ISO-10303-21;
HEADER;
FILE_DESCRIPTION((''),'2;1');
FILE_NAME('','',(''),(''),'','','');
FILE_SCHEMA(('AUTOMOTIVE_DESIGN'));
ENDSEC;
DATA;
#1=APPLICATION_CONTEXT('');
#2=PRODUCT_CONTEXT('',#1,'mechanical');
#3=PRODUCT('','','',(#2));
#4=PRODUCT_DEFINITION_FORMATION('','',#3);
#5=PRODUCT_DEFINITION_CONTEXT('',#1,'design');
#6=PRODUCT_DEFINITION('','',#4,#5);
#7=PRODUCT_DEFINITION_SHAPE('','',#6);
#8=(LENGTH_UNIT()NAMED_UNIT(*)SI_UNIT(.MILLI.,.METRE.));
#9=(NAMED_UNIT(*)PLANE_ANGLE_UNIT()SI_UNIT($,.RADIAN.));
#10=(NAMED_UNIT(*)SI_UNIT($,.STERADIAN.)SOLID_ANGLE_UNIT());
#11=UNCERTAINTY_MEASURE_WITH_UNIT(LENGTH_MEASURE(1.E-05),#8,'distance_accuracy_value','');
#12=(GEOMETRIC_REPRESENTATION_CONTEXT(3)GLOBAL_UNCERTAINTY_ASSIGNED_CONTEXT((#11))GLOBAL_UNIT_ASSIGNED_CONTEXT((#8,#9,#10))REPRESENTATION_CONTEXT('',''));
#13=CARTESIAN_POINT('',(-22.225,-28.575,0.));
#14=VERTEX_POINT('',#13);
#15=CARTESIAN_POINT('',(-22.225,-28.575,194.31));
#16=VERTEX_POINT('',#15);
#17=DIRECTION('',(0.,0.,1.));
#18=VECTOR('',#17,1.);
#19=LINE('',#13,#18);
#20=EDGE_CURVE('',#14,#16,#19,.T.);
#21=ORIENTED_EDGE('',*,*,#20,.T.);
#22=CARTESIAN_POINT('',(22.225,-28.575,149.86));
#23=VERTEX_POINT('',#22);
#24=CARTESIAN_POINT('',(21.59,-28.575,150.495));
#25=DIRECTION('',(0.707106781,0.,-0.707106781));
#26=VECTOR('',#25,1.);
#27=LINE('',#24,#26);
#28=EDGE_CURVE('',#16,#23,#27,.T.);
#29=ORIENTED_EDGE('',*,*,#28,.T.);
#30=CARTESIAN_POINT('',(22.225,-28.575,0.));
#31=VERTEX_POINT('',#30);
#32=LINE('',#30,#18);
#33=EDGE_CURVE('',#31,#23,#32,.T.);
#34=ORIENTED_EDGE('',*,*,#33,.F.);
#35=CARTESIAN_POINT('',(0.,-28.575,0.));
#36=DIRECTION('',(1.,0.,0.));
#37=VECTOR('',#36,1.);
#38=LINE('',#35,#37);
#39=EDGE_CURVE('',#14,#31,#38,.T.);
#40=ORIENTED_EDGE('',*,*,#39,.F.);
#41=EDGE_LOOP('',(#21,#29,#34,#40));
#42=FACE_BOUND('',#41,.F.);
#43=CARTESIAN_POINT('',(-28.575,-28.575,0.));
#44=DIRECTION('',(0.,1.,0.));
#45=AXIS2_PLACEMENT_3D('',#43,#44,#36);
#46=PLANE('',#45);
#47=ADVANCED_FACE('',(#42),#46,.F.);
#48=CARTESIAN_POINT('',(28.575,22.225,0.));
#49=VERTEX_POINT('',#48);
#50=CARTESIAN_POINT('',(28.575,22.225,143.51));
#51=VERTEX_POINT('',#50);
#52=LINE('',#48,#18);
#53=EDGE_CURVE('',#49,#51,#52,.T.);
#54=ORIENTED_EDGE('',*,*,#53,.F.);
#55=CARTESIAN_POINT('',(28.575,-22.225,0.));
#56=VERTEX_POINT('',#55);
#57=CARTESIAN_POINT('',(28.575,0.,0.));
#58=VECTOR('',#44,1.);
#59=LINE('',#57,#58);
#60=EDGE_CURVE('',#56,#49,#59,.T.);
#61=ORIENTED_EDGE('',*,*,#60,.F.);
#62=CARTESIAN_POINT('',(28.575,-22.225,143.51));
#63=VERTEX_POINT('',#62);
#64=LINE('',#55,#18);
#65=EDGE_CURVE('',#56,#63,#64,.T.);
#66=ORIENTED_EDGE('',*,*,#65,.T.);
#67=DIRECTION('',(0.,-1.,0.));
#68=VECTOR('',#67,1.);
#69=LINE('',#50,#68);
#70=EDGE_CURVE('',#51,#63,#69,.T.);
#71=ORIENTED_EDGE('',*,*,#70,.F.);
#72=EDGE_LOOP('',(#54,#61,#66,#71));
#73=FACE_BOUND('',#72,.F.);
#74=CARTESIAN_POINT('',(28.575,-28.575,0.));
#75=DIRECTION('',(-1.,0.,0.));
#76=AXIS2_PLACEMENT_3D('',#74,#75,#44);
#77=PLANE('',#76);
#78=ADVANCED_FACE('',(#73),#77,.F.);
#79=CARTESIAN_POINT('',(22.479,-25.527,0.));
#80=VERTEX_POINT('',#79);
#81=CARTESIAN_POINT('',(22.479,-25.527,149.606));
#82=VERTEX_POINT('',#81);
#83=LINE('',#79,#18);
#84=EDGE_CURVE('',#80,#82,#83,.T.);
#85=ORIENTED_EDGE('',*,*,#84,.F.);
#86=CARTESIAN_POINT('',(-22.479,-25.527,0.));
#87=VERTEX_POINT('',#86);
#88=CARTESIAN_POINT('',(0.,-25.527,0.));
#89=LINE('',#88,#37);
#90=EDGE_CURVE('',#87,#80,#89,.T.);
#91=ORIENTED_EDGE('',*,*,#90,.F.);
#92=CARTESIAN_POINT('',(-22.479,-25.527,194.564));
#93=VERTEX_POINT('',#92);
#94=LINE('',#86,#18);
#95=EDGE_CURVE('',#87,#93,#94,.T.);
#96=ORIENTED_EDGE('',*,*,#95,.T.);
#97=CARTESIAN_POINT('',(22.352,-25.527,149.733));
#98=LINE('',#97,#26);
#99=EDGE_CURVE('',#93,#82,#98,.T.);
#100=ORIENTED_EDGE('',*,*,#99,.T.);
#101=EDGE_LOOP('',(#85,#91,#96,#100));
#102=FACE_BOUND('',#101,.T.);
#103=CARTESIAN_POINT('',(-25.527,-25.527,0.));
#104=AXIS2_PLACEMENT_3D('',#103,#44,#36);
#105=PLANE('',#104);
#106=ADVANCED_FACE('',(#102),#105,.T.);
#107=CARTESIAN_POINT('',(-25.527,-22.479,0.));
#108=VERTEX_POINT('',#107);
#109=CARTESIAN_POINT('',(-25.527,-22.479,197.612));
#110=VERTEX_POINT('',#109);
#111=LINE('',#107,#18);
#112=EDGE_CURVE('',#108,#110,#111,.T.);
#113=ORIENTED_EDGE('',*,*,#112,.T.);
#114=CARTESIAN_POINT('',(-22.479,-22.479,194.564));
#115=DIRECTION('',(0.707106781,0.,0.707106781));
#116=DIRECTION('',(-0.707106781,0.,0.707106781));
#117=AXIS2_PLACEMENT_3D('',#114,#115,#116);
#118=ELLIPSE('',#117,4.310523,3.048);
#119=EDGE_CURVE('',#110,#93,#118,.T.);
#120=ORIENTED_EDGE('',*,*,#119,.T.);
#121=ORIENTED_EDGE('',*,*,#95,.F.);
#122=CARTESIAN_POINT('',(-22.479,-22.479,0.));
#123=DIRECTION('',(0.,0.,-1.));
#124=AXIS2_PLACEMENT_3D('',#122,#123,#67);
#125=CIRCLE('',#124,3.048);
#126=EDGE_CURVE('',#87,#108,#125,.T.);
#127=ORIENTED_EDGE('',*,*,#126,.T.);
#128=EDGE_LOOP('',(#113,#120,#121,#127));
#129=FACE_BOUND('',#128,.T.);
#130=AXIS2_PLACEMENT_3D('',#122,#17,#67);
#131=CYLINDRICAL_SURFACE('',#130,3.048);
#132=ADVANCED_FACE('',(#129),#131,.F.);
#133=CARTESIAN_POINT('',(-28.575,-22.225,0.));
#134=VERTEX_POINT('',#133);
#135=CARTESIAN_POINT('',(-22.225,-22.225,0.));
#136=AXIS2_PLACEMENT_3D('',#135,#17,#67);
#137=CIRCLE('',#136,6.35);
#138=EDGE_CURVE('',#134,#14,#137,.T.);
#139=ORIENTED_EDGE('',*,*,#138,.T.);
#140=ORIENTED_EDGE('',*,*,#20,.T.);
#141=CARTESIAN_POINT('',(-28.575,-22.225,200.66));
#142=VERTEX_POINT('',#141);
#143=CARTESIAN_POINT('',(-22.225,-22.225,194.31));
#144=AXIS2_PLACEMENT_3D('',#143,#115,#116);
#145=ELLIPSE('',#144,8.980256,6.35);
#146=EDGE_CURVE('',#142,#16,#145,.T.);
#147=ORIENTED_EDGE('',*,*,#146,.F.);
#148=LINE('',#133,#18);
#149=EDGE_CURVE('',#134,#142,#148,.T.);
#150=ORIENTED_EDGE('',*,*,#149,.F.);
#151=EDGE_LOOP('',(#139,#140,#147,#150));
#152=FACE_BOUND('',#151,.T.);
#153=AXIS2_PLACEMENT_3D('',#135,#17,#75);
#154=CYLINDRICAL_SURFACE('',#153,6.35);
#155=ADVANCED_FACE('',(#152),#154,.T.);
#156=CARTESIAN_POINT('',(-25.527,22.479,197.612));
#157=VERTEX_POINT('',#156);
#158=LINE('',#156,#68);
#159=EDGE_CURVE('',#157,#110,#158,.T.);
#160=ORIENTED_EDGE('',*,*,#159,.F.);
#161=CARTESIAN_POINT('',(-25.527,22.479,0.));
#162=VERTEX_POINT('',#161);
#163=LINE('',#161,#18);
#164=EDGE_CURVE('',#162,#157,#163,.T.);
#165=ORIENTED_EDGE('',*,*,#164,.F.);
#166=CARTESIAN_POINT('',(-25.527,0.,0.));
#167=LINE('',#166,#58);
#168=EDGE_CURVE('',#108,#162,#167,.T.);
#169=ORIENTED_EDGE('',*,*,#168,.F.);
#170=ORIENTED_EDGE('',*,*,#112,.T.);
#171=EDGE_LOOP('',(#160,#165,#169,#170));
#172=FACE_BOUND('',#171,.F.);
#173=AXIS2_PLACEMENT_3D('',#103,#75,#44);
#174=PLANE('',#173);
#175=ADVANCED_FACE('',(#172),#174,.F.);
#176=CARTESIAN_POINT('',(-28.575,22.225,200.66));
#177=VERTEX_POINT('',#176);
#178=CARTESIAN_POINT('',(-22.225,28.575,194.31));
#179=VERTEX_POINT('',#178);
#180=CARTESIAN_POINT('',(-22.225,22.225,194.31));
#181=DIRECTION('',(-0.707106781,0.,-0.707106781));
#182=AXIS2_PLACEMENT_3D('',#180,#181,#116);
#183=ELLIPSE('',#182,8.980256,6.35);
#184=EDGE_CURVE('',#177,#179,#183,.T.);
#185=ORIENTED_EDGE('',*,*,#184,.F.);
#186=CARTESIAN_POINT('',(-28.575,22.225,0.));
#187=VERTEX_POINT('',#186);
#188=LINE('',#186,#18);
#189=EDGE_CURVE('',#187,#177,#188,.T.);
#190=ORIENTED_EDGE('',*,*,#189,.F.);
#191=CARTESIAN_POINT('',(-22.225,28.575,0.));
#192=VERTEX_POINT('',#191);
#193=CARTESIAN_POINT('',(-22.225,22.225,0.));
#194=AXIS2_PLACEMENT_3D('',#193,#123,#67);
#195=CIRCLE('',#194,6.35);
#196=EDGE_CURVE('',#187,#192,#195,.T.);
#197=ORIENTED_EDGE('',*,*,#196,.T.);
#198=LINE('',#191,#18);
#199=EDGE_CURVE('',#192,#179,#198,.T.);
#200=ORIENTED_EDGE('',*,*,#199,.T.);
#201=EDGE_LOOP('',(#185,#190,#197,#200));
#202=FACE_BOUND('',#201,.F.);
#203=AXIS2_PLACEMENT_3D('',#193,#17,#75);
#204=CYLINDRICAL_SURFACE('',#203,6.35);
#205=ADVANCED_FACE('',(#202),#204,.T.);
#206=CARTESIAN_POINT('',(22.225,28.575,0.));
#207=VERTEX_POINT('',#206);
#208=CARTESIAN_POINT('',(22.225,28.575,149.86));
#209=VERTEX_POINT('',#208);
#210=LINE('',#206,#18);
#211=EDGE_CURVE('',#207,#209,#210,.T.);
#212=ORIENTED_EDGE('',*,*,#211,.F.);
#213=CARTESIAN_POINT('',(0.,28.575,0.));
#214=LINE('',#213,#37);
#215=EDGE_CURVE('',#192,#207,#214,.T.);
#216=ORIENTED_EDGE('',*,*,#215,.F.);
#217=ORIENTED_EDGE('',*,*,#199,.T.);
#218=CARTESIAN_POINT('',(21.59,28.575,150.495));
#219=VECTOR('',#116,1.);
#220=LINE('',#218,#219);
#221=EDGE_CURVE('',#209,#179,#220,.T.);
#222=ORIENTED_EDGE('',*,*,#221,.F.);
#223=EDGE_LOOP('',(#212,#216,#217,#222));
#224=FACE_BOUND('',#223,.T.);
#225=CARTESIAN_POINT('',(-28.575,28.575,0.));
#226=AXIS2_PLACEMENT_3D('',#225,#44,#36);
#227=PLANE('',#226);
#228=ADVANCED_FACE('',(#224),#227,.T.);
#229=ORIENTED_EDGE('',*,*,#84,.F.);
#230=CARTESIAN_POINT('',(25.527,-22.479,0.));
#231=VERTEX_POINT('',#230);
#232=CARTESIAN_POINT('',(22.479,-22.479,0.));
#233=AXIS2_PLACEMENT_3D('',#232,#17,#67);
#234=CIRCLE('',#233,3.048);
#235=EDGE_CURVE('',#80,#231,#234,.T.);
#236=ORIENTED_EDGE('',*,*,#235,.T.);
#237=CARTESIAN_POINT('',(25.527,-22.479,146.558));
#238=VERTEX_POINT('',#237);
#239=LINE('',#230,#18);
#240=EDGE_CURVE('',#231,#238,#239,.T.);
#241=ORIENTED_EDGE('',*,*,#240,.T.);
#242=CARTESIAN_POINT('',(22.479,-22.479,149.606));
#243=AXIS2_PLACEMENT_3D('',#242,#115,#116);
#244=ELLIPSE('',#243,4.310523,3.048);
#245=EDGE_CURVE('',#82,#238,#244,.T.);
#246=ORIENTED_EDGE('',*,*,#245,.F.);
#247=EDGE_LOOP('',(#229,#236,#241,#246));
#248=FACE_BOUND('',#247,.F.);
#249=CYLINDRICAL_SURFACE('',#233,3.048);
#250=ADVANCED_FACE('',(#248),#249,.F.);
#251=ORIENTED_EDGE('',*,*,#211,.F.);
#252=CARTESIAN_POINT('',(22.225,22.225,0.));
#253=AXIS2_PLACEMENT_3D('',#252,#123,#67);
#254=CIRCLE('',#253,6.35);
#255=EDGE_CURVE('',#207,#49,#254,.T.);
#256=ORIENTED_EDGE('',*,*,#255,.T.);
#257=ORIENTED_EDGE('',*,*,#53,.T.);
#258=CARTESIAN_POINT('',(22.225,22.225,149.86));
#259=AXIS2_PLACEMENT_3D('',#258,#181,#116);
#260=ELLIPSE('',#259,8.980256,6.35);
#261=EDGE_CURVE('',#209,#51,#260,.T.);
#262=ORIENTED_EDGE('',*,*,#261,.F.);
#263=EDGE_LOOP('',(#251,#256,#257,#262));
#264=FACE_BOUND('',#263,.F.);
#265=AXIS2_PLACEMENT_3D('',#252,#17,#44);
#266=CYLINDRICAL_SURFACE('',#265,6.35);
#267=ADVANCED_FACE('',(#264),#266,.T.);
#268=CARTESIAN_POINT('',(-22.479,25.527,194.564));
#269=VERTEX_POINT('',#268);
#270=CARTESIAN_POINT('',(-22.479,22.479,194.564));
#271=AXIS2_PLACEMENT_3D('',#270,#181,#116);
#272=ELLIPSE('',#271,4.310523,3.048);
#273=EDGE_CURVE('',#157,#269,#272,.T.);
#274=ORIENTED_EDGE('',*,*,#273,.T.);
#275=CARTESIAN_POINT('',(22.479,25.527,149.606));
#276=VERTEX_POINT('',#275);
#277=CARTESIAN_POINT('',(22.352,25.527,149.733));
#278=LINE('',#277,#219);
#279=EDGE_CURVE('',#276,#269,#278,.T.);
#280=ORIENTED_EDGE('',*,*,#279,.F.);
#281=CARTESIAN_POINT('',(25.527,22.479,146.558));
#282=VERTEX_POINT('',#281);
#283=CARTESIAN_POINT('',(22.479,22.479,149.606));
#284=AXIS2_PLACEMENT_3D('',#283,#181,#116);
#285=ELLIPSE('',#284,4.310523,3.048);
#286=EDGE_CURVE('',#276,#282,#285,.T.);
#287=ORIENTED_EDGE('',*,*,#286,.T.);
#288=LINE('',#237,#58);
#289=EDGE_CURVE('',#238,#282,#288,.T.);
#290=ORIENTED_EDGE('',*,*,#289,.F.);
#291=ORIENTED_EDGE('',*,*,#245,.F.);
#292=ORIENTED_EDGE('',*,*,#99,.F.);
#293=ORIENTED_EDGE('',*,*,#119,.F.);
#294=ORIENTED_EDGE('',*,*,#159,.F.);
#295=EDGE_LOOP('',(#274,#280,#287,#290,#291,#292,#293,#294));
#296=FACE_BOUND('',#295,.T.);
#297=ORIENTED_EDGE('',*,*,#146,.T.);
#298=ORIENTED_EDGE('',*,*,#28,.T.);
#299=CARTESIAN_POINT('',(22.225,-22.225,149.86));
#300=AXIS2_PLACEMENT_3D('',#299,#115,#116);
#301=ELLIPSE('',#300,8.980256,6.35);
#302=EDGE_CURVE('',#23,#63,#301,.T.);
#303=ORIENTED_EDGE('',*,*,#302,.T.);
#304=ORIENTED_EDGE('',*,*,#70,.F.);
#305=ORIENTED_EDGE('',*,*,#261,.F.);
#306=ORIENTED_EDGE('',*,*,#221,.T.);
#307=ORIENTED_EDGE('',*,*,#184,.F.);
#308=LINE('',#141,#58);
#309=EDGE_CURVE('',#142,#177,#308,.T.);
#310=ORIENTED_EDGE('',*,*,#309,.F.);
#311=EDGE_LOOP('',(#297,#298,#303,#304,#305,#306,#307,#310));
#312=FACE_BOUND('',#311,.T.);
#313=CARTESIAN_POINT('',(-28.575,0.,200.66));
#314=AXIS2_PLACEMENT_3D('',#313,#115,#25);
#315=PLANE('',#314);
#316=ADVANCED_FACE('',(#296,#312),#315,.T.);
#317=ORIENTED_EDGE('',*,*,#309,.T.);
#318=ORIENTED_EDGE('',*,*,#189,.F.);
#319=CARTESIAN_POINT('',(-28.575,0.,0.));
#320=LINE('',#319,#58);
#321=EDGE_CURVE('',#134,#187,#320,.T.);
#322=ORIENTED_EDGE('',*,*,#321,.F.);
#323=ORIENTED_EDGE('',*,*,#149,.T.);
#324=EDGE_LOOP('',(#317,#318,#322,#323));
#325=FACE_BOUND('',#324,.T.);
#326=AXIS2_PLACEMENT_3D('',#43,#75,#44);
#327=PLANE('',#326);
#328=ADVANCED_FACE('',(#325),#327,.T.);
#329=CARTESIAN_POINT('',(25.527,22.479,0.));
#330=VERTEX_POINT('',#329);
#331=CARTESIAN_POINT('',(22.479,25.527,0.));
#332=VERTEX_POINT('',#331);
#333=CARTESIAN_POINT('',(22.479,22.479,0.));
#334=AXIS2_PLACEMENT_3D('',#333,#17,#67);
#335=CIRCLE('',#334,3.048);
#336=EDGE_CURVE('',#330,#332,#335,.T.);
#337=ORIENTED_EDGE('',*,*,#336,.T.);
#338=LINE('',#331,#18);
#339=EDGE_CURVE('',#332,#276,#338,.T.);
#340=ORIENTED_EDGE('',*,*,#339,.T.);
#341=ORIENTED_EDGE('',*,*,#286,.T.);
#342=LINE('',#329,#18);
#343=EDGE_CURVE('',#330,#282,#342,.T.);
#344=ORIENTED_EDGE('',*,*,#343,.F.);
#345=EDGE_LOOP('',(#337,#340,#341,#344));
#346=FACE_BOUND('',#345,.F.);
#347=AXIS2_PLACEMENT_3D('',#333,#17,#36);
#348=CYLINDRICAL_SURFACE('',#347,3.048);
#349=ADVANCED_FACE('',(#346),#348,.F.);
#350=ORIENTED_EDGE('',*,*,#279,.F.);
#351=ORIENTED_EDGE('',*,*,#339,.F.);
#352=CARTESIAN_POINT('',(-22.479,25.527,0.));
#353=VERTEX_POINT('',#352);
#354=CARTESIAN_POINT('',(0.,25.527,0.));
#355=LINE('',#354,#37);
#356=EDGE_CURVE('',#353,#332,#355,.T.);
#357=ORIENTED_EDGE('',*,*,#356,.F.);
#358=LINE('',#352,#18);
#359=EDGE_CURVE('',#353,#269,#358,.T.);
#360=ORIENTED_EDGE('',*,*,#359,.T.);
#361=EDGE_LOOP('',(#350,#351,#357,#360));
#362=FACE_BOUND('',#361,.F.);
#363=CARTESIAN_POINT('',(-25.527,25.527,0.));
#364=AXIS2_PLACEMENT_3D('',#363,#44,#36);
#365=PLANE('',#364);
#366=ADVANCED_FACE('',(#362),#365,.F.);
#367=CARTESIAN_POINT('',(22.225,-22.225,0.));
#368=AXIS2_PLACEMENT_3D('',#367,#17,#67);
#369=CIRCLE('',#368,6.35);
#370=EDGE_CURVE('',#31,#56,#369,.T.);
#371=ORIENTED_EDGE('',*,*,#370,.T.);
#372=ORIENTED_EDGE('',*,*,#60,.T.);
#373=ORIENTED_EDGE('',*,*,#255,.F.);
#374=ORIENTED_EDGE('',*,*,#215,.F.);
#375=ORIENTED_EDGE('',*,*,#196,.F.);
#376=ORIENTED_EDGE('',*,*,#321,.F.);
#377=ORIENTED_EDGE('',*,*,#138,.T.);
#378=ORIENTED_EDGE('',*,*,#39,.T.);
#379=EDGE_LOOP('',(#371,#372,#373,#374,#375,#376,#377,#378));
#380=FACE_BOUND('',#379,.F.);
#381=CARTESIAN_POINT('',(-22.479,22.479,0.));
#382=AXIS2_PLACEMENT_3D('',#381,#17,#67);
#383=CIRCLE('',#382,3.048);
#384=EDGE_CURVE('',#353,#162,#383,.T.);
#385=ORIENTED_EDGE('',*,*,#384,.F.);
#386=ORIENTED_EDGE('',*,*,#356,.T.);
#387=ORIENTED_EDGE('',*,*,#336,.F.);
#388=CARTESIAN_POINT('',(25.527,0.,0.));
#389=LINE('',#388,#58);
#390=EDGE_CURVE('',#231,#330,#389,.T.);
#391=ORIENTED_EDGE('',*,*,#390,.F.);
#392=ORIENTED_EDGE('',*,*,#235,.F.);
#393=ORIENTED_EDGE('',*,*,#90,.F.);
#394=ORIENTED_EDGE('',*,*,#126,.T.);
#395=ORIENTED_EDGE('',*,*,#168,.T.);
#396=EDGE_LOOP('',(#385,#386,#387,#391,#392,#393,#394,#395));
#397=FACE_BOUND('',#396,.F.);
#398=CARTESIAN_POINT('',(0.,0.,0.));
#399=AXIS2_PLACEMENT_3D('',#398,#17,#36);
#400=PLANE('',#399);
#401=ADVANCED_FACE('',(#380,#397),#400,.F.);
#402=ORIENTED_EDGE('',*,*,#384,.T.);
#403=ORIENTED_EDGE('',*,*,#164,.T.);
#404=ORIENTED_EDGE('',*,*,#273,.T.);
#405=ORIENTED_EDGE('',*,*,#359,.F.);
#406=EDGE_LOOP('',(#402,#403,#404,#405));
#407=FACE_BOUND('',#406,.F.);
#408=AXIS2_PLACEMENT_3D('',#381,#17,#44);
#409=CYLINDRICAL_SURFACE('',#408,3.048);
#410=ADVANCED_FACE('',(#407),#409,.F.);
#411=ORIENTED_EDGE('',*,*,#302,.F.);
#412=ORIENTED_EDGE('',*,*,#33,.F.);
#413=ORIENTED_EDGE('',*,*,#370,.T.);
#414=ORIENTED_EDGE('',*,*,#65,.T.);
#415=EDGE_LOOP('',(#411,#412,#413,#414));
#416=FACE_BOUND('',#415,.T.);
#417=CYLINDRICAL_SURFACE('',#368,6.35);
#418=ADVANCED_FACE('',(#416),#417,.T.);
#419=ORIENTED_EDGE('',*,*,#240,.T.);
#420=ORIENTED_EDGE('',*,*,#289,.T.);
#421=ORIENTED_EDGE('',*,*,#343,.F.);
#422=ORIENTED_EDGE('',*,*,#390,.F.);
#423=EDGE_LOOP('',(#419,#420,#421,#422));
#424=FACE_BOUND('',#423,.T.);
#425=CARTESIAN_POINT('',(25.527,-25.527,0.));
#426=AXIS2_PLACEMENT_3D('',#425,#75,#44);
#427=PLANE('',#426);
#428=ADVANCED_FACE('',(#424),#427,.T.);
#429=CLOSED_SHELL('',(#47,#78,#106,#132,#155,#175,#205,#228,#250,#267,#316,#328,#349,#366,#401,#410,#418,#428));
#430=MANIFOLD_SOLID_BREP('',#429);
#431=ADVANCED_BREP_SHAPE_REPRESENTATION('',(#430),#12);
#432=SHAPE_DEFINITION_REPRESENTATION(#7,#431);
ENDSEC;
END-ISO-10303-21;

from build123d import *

# Parameters (mm, degrees)
F0_W          = 57.15
F0_H          = 57.15
F0_W_2        = 51.054
F0_H_2        = 51.054
F1_DEPTH      = 200.66
F2_R          = 3.048
F3_R          = 6.35
F5_DEPTH      = 28.576
F5_DEPTH_BACK = 28.576


with BuildPart() as f1:
    # F0 (on Top) → F1 (new body)
    with BuildSketch(Plane.XY):
        Rectangle(F0_W, F0_H)
        Rectangle(F0_W_2, F0_H_2, mode=Mode.SUBTRACT)
    extrude(amount=F1_DEPTH)

    # F2
    f2_edges = [f1.edges().sort_by_distance(p)[0] for p in [
        (25.527, 25.527, 100.33),
        (-25.527, 25.527, 100.33),
        (-25.527, -25.527, 100.33),
        (25.527, -25.527, 100.33),
    ]]
    fillet(f2_edges, radius=F2_R)

    # F3
    f3_edges = [f1.edges().sort_by_distance(p)[0] for p in [
        (-28.575, 28.575, 100.33),
        (-28.575, -28.575, 100.33),
        (28.575, -28.575, 100.33),
        (28.575, 28.575, 100.33),
    ]]
    fillet(f3_edges, radius=F3_R)

    # F4 (on Front) → F5 (cut, two sides)
    with BuildSketch(Plane.XZ) as f5_sk:
        Polygon((-28.575, 200.66), (28.575, 143.51), (28.575, 200.66), align=None)
    extrude(amount=-F5_DEPTH, mode=Mode.SUBTRACT)
    extrude(f5_sk.sketch, amount=F5_DEPTH_BACK, mode=Mode.SUBTRACT)


solid = f1.part
